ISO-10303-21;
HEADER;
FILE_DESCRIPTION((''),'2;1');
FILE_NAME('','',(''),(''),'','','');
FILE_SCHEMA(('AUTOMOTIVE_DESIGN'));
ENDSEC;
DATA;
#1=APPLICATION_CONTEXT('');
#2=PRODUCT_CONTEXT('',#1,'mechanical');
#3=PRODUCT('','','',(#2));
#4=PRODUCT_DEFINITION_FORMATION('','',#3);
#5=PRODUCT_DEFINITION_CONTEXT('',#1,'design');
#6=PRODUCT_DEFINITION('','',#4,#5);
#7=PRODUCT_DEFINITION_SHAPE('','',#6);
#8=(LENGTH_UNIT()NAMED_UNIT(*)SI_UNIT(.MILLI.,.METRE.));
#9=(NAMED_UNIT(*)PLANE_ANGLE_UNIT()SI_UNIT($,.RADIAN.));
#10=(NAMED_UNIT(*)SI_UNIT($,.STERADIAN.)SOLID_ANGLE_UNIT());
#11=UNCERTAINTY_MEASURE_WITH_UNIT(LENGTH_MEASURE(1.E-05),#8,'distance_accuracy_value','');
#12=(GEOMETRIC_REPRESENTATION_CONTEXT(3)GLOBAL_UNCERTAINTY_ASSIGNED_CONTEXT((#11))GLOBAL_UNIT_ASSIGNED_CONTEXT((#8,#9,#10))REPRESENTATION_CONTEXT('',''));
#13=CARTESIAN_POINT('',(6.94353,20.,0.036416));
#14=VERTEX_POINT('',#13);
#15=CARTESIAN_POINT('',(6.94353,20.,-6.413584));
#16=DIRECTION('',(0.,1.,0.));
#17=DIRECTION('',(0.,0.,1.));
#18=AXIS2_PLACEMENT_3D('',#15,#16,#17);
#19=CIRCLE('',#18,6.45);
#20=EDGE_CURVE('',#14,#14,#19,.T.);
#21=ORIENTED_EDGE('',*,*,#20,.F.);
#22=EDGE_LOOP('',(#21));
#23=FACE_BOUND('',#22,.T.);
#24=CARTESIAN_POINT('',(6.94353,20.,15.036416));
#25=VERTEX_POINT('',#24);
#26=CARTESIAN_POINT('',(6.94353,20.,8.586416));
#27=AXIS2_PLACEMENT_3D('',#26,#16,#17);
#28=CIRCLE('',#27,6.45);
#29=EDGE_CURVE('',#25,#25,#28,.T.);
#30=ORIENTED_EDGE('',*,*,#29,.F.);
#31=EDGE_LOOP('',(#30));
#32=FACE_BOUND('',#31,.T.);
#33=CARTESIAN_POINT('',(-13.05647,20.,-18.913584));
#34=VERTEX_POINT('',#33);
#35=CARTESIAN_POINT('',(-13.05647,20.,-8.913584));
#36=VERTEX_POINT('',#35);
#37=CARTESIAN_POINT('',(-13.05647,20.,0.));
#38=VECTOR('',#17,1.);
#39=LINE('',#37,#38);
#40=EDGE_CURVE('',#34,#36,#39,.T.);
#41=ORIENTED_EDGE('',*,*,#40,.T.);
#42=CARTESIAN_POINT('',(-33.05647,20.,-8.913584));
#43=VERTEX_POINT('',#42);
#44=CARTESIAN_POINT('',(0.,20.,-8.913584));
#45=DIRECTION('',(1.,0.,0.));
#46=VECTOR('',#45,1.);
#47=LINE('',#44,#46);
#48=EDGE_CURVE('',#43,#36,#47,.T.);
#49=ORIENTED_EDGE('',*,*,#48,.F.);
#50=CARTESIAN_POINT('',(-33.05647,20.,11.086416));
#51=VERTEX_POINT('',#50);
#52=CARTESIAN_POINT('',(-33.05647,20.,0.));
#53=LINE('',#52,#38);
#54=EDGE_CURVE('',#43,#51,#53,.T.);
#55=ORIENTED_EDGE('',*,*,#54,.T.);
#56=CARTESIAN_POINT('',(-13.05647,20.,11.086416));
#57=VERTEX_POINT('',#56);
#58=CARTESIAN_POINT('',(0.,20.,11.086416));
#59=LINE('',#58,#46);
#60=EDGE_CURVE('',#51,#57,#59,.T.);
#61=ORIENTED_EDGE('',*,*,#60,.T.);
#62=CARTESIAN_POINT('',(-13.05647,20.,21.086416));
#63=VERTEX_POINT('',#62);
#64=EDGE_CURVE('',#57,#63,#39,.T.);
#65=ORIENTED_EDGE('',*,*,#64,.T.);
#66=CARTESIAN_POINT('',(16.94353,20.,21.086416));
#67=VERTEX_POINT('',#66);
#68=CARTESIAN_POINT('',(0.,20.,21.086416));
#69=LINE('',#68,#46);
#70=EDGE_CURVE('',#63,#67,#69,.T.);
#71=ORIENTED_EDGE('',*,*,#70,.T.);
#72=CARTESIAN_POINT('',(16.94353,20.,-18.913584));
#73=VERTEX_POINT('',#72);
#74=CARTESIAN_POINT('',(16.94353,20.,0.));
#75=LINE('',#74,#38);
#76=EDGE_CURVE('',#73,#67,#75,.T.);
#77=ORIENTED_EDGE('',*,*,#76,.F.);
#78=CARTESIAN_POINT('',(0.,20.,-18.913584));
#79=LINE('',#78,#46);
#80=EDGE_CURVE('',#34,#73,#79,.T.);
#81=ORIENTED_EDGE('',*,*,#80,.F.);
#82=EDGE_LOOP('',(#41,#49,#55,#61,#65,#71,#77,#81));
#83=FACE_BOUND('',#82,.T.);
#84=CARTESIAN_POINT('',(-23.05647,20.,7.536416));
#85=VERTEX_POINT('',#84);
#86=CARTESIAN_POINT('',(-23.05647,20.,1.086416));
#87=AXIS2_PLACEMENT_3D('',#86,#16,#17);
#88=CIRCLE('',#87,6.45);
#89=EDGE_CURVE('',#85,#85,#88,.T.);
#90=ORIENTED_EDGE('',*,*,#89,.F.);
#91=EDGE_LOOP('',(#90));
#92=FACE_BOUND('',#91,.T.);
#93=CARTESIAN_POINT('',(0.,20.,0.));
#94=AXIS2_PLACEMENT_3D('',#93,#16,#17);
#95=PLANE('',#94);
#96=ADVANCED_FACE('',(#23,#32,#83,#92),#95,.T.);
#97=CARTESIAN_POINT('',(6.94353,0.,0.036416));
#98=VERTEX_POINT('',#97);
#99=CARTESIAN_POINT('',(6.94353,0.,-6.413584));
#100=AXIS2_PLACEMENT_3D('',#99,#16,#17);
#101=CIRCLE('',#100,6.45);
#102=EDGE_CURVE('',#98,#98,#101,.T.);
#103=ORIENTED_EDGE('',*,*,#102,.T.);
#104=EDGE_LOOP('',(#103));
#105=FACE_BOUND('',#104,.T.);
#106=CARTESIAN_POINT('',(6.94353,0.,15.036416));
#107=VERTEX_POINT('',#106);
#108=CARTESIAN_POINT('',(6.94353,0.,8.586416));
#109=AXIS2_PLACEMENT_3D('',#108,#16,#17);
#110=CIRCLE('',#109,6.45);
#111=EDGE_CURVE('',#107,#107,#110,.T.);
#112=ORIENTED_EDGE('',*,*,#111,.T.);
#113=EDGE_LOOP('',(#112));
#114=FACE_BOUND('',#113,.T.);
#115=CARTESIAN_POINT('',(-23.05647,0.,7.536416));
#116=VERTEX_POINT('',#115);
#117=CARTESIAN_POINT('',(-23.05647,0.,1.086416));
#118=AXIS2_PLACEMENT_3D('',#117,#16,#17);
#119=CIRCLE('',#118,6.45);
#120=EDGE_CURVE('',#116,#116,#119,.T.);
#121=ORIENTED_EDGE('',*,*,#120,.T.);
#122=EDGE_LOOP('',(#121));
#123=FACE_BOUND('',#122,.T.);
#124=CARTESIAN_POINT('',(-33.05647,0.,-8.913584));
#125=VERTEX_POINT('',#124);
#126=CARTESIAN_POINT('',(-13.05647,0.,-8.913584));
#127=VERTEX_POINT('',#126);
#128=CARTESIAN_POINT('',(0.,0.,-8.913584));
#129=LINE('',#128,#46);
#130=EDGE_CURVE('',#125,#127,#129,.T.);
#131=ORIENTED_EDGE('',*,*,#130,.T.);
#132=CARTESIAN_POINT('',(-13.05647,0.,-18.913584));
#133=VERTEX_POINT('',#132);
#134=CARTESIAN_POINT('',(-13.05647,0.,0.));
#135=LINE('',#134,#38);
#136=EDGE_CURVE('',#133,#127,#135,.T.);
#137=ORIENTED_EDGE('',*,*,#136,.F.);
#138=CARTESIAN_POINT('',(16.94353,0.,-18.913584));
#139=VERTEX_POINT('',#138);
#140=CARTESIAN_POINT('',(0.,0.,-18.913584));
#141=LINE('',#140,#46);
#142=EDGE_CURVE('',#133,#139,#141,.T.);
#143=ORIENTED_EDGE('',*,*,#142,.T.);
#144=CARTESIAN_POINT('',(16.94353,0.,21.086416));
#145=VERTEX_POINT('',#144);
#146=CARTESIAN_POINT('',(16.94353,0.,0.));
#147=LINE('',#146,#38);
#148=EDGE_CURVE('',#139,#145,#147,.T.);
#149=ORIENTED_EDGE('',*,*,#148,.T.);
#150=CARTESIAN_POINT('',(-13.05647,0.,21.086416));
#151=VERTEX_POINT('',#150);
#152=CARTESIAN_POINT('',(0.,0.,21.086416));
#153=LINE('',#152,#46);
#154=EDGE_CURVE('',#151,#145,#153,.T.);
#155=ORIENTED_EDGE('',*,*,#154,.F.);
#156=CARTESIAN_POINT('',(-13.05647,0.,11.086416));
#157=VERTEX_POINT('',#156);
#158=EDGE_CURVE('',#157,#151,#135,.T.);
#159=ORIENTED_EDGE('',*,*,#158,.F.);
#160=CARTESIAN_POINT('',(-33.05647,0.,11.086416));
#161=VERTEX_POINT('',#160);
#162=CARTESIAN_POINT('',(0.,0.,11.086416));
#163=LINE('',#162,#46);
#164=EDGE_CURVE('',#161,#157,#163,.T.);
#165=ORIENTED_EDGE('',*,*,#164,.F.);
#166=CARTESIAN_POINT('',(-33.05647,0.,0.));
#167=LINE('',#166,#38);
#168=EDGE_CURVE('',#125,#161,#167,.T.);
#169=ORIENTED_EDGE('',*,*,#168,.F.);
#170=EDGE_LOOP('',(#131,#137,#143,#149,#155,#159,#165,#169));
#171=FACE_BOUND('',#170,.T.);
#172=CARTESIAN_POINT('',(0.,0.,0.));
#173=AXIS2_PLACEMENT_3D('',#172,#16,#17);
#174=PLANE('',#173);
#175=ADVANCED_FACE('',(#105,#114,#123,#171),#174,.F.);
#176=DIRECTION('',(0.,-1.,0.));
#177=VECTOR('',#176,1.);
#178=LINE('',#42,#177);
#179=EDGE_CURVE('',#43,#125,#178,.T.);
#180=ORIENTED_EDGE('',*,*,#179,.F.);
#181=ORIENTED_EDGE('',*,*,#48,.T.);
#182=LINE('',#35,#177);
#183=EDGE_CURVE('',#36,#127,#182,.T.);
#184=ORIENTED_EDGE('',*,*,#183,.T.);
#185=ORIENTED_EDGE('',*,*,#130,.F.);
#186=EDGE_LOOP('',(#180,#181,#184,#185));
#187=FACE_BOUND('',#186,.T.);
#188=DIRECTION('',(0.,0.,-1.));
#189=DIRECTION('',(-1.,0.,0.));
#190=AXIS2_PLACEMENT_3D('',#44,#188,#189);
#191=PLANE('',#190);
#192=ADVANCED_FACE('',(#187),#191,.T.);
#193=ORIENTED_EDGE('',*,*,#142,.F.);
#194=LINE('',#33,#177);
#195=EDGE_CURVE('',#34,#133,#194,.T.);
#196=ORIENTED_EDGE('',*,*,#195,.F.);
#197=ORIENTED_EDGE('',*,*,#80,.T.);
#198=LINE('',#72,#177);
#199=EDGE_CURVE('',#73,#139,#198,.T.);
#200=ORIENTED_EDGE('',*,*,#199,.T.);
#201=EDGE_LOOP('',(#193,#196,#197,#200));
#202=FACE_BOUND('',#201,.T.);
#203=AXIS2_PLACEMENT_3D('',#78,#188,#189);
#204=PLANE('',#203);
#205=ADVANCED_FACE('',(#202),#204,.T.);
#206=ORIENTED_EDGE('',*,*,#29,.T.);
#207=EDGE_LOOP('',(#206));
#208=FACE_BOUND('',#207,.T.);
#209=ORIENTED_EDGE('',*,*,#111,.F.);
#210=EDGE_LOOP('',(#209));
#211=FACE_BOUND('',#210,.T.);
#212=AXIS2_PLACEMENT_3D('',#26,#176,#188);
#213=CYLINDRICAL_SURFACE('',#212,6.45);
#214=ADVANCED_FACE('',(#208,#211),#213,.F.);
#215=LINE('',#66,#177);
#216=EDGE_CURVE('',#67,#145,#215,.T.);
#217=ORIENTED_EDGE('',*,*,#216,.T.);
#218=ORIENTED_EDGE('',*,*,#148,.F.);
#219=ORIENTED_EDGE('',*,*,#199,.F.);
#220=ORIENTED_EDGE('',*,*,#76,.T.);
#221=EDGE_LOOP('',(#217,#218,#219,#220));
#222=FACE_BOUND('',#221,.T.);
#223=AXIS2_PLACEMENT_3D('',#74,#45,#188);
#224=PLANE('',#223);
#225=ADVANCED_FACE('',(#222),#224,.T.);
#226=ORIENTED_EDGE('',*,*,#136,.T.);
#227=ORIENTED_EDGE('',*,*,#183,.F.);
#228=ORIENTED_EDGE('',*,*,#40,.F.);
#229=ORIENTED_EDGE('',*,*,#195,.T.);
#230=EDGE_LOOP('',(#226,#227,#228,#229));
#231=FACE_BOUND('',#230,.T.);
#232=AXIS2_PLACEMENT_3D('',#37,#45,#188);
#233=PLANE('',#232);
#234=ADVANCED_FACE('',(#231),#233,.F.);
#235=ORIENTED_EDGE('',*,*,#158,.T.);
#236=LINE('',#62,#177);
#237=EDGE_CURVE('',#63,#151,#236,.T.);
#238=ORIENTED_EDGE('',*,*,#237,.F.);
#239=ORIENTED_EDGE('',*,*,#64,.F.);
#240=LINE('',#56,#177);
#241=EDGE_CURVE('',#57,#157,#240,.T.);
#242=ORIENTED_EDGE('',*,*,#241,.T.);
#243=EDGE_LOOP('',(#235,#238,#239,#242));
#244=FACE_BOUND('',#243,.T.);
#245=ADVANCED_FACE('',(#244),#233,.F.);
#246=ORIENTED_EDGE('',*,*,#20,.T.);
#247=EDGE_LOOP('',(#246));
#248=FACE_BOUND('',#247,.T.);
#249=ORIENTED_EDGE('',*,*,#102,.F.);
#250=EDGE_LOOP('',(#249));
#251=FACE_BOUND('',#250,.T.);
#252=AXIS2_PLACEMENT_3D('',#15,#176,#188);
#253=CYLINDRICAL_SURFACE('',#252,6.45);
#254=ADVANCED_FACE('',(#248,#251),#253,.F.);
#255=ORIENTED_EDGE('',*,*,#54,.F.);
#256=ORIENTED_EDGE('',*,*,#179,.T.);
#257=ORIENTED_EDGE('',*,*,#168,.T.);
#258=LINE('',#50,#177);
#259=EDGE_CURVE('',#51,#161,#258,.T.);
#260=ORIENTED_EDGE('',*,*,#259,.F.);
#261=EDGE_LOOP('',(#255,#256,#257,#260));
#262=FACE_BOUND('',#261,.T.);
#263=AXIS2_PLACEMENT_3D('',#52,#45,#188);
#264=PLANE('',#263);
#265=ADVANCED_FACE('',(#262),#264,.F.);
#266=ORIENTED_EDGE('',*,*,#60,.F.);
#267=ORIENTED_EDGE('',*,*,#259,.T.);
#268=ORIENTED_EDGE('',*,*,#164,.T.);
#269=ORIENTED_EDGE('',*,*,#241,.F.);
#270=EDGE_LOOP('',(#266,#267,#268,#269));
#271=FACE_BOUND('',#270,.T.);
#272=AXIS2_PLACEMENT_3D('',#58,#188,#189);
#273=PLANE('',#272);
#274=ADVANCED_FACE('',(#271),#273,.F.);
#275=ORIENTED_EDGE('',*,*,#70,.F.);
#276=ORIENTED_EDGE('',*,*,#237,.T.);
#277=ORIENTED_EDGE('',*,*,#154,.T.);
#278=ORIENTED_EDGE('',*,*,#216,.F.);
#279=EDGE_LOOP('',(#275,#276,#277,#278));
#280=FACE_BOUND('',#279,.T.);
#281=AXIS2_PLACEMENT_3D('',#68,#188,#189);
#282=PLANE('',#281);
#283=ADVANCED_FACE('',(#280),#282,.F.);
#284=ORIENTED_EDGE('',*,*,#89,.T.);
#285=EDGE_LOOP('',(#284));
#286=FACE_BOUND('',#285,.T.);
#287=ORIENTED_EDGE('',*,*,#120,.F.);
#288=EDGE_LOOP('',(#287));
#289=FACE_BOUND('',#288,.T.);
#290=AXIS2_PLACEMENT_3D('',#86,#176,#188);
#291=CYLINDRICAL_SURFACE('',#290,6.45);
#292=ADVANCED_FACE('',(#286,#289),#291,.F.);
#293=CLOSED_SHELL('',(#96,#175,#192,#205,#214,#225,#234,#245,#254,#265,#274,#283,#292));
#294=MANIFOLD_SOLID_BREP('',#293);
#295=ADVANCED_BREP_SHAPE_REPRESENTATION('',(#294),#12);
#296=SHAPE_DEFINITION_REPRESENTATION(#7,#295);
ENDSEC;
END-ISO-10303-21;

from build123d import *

# Parameters (mm, degrees)
SKETCH1_R           = 6.45
SKETCH1_W           = 20
SKETCH1_H           = 20
BOSS_EXTRUDE1_DEPTH = 20


with BuildPart() as part:
    # Sketch1 → Boss-Extrude1 (new body)
    # profile 1 of 2: a face of its own
    with BuildSketch(Plane(origin=(0, 0, 0), x_dir=(1, 0, 0), z_dir=(0, 1, 0))):
        Polygon((-13.056470244, 18.913583857), (-13.056470244, 8.913583857), (-13.056470244, -11.086416143), (-13.056470244, -21.086416143), (16.943529756, -21.086416143), (16.943529756, 18.913583857), align=None)
        with Locations(Location((6.943529756, -8.586416143, 0), (0, 0, 270))):
            Circle(SKETCH1_R, mode=Mode.SUBTRACT)
        with Locations(Location((6.943529756, 6.413583857, 0), (0, 0, 270))):
            Circle(SKETCH1_R, mode=Mode.SUBTRACT)
    # profile 2 of 2: a face of its own
    with BuildSketch(Plane(origin=(0, 0, 0), x_dir=(1, 0, 0), z_dir=(0, 1, 0))):
        with Locations((-23.056470244, -1.086416143)):
            Rectangle(SKETCH1_W, SKETCH1_H)
        with Locations(Location((-23.056470244, -1.086416143, 0), (0, 0, 270))):
            Circle(SKETCH1_R, mode=Mode.SUBTRACT)
    extrude(amount=BOSS_EXTRUDE1_DEPTH)


solid = part.part
